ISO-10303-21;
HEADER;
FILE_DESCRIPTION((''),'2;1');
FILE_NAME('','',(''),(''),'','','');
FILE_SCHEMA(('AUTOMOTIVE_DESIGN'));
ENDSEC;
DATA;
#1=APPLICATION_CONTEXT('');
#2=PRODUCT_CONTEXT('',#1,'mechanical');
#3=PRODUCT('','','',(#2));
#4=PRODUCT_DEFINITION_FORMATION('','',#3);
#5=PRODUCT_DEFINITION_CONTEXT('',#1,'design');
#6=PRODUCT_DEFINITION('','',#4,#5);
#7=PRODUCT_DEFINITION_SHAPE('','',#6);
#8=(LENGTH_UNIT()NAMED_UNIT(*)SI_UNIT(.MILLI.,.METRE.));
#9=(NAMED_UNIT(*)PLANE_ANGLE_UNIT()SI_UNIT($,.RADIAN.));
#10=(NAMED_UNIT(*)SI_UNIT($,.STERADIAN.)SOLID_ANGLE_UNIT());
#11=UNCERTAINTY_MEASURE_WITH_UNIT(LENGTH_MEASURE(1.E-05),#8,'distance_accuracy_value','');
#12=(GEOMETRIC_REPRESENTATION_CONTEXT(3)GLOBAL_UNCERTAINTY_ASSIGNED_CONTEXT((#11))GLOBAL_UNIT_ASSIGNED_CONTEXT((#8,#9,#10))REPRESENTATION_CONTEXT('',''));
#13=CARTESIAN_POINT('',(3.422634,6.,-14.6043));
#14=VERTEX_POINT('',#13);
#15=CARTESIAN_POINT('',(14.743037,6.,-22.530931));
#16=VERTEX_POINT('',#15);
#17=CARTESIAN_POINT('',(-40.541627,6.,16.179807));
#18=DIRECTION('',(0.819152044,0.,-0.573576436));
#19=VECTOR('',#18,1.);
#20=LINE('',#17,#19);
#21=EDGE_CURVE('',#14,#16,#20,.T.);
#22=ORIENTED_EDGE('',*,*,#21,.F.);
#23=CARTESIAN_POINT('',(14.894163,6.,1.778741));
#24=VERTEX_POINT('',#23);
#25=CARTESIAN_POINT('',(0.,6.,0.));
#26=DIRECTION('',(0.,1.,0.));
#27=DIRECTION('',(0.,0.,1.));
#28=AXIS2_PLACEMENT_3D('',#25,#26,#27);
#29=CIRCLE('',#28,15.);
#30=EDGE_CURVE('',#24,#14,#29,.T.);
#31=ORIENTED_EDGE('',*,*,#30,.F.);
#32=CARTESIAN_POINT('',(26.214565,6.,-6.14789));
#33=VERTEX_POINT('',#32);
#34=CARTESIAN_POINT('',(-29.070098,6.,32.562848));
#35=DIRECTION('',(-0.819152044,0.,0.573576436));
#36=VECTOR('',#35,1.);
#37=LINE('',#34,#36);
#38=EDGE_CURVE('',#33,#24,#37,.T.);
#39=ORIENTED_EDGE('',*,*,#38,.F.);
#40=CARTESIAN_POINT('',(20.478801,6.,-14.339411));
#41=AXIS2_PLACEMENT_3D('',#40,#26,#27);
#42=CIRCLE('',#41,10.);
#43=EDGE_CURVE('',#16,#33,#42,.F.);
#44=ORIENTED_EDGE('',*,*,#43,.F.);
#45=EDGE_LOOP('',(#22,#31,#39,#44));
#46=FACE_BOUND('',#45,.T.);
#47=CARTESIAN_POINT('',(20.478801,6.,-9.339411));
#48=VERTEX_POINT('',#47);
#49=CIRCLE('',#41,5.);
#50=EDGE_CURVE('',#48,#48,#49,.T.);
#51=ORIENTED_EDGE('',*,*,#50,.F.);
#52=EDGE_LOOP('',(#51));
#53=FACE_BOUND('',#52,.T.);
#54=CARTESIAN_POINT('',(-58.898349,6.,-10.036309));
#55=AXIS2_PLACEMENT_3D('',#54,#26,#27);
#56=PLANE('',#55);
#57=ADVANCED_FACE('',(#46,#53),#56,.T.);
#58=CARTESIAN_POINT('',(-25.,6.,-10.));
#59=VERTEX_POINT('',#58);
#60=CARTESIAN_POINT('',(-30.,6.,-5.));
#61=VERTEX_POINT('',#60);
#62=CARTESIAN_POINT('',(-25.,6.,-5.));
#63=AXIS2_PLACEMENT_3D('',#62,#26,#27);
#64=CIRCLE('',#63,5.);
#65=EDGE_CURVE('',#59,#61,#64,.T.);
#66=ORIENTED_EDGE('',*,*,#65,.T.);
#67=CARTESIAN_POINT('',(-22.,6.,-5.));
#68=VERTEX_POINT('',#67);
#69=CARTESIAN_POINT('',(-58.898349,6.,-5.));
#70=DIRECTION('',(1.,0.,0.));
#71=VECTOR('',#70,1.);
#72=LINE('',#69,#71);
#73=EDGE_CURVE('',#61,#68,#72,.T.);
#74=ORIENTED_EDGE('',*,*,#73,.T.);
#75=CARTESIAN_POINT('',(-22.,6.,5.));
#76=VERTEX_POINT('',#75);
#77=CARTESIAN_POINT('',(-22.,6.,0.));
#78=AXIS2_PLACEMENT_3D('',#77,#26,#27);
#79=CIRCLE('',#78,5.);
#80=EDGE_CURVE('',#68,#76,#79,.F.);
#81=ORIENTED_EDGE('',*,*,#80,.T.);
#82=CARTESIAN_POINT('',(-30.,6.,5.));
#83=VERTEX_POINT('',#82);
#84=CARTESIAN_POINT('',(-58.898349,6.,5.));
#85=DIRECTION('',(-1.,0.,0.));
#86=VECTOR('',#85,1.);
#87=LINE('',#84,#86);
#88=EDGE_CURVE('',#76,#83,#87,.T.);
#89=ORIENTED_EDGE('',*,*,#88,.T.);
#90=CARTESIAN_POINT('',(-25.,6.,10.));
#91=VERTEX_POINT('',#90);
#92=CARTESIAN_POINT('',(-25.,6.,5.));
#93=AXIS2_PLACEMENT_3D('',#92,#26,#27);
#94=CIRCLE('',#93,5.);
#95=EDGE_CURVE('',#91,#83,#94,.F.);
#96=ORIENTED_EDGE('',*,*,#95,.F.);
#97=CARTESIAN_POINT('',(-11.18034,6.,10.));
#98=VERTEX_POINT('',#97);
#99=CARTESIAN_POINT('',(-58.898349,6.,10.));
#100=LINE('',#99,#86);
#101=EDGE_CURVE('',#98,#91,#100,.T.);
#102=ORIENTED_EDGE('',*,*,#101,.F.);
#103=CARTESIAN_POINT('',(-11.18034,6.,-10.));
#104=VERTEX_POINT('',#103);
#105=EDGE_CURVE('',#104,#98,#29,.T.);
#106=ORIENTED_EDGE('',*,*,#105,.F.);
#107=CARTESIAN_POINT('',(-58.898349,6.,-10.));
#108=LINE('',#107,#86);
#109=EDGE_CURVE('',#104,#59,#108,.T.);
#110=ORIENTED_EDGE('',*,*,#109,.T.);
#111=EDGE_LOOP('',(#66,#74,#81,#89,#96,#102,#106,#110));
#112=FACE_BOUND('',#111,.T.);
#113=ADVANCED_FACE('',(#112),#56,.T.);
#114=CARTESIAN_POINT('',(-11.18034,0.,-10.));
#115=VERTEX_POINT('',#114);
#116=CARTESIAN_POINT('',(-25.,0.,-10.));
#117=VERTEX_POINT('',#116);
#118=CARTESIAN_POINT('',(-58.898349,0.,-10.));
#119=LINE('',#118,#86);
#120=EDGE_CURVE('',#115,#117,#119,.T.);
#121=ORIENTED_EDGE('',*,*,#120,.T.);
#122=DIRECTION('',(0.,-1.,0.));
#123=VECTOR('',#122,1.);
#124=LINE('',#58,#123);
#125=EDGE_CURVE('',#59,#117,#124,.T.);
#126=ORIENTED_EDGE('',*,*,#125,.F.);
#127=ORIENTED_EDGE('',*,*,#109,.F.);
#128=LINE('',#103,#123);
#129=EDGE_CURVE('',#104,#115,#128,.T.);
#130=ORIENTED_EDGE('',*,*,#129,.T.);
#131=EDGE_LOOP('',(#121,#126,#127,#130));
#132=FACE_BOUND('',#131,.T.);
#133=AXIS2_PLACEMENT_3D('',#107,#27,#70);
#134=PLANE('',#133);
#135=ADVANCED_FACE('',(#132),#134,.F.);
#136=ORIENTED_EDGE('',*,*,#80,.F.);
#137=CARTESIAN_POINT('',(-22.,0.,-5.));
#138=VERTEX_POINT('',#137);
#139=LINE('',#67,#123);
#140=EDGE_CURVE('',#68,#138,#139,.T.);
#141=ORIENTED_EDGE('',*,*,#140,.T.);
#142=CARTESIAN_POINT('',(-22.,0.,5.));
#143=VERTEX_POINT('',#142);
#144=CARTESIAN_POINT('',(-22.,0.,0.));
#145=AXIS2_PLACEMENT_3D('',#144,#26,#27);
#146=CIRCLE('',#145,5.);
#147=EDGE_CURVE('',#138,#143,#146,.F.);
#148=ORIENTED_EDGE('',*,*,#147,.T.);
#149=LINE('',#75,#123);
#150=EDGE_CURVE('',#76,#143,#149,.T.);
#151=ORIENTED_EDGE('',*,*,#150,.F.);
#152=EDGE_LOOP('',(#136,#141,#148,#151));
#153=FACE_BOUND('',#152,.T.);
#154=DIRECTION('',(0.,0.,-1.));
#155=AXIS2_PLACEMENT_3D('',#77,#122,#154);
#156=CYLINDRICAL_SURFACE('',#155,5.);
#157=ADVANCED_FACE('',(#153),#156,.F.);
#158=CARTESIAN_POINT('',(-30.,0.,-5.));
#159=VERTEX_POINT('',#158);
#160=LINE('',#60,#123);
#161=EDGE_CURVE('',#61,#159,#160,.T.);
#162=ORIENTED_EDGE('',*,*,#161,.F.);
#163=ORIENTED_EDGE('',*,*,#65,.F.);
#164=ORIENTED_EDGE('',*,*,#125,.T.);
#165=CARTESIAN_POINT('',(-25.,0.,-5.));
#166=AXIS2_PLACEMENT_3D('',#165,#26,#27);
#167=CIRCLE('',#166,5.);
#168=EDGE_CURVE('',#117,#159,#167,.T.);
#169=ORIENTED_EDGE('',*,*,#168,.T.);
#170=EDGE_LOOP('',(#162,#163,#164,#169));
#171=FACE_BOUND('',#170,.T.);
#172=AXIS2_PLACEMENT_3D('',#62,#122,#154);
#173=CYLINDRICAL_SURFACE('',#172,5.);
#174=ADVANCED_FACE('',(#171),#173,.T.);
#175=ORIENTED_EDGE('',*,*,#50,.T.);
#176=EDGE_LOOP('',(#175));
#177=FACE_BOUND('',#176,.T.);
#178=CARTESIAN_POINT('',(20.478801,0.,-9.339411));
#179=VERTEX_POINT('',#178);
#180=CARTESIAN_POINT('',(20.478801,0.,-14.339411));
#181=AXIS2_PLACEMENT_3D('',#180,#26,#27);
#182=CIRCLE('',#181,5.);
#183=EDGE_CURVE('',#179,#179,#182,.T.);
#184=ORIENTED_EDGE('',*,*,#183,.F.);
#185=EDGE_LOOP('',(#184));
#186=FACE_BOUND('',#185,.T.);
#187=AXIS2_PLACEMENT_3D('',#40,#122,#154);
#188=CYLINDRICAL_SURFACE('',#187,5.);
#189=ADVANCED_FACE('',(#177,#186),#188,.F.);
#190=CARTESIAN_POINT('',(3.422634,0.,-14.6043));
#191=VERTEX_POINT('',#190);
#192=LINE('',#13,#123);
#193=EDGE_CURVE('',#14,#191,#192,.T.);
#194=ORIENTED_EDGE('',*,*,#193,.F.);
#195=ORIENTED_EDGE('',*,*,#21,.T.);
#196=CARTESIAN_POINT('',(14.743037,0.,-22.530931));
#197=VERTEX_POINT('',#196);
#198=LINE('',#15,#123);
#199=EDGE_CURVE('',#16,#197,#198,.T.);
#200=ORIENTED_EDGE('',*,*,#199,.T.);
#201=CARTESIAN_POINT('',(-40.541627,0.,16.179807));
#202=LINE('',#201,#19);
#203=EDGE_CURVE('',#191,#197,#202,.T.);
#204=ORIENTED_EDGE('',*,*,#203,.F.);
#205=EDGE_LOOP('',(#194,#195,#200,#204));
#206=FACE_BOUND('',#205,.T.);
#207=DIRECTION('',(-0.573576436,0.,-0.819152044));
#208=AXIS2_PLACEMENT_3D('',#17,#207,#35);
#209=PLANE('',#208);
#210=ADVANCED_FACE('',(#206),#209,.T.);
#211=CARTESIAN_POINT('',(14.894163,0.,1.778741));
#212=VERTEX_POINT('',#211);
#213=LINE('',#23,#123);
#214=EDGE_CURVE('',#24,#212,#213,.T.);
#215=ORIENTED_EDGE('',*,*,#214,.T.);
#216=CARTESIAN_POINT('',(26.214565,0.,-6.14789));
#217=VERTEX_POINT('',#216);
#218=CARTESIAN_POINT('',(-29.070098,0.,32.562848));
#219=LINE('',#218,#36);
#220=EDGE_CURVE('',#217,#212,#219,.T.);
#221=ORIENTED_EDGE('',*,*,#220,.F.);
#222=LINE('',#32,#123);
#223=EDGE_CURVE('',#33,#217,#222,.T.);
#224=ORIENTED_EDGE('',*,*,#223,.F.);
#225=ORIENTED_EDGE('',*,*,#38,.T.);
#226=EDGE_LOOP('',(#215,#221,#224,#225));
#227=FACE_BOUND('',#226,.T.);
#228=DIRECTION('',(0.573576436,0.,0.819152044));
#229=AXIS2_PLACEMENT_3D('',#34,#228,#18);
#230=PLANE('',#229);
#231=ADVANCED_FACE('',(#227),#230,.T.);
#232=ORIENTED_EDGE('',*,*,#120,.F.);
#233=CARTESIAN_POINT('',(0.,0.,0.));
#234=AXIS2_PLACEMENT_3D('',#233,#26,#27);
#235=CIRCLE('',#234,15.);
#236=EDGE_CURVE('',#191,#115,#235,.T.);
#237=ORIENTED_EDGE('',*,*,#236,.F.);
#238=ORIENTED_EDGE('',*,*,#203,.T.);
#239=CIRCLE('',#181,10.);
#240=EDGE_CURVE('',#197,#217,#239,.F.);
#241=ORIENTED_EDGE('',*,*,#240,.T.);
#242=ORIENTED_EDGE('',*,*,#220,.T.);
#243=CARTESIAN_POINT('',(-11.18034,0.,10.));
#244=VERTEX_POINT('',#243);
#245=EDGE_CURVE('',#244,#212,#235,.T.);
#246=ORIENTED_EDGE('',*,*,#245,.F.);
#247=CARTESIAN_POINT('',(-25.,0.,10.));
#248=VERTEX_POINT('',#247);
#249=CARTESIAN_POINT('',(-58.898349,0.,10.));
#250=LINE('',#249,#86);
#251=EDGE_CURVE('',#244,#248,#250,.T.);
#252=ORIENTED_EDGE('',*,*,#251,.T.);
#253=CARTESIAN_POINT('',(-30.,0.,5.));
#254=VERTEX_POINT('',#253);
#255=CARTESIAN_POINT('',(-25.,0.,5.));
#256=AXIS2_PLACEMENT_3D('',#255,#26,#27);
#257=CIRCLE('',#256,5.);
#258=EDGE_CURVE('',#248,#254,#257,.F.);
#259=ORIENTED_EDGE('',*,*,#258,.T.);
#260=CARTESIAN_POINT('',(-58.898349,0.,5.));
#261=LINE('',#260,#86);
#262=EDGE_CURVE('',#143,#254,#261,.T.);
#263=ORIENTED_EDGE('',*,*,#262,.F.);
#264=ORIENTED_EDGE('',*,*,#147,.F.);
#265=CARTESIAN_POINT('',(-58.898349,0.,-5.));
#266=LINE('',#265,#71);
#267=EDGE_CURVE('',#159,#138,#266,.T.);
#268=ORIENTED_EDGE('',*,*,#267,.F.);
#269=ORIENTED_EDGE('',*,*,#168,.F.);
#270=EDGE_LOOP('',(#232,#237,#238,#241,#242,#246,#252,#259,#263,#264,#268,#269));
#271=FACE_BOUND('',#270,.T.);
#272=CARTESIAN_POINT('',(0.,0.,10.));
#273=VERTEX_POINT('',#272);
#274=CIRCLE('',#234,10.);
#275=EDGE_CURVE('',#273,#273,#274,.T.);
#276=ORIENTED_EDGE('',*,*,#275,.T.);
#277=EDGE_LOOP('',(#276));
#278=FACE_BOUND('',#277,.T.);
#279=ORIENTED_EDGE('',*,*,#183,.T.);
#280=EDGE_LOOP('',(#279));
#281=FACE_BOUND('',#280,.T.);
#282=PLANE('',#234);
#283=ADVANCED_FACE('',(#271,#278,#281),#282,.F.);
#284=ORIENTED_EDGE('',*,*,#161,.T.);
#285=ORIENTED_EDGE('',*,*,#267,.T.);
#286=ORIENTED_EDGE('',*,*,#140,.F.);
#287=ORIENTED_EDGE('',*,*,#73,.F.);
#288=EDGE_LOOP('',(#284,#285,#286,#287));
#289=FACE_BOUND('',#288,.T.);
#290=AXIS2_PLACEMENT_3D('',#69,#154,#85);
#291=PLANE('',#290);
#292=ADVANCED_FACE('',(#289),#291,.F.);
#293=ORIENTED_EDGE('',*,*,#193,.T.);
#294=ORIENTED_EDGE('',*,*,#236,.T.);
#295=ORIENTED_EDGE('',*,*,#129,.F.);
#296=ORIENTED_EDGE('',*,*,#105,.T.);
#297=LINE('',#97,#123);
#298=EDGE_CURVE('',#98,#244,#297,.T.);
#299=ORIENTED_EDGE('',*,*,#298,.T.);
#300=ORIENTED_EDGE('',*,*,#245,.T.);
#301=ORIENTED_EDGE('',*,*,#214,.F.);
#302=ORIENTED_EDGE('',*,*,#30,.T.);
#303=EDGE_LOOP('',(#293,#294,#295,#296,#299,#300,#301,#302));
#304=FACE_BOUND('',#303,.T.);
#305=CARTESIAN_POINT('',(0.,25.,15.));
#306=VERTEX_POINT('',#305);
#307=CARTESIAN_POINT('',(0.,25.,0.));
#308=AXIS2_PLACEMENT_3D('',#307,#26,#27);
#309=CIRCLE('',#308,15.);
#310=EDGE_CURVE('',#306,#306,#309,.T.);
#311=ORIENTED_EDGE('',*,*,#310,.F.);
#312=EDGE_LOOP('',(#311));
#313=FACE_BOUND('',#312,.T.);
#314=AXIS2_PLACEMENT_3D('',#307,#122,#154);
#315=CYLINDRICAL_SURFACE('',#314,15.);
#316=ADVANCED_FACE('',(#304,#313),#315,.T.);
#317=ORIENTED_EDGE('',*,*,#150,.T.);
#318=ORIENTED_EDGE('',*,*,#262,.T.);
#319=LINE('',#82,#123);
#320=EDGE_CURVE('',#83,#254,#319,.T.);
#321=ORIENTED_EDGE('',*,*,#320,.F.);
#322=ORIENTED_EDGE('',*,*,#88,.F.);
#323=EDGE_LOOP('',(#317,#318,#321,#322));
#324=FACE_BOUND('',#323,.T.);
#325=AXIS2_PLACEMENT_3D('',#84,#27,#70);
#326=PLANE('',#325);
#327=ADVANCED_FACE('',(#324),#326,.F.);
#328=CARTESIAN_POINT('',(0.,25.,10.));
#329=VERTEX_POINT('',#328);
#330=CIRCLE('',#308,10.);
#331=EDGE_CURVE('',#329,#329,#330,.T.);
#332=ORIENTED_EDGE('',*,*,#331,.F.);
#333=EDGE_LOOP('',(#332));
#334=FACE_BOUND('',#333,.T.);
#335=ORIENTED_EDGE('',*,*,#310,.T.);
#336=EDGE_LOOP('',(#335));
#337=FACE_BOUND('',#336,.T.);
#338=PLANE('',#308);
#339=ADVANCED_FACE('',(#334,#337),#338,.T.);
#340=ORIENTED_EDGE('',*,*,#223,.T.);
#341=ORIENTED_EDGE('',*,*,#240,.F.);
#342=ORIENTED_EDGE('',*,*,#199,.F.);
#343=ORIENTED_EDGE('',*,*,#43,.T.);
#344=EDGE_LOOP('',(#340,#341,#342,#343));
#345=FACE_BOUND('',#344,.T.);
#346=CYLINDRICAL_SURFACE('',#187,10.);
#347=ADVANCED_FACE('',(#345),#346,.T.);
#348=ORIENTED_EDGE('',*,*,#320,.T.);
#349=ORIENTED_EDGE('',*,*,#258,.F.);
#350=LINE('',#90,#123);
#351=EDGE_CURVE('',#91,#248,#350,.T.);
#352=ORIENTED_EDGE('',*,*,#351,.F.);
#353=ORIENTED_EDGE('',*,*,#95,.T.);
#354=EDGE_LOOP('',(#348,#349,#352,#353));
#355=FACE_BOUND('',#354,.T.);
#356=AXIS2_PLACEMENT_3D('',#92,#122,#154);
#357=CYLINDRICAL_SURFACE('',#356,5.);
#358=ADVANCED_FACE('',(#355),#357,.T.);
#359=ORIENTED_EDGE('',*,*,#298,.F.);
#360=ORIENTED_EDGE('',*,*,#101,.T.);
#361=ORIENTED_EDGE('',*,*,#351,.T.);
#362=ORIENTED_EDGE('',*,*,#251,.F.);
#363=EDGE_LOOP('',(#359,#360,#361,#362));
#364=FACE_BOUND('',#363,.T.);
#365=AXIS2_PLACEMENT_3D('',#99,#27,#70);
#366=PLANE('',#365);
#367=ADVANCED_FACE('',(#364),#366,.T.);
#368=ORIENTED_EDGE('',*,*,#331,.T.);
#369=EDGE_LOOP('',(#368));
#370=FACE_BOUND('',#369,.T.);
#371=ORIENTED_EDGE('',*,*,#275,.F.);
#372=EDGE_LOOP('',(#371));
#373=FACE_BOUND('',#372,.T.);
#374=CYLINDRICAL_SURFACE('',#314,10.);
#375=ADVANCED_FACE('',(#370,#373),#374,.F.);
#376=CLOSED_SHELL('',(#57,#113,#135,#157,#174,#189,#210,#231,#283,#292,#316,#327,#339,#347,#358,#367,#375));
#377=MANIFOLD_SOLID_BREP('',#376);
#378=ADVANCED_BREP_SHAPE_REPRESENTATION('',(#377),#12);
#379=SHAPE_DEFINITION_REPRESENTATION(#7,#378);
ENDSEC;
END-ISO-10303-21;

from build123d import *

# Parameters (mm, degrees)
SKETCH_1_R      = 15
SKETCH_1_R_2    = 10
EXTRUDE_1_DEPTH = 25
SKETCH_2_R      = 5
EXTRUDE_2_DEPTH = 6


with BuildPart() as part:
    # 草圖1 → 伸長1 (new body)
    with BuildSketch(Plane(origin=(0, 0, 0), x_dir=(1, 0, 0), z_dir=(0, 1, 0))):
        with Locations(Location((0, 0, 0), (0, 0, 270))):
            Circle(SKETCH_1_R)
        with Locations(Location((0, 0, 0), (0, 0, 270))):
            Circle(SKETCH_1_R_2, mode=Mode.SUBTRACT)
    extrude(amount=EXTRUDE_1_DEPTH)

    # 草圖2 → 伸長2 (add)
    # profile 1 of 2: a face of its own
    with BuildSketch(Plane(origin=(0, 0, 0), x_dir=(1, 0, 0), z_dir=(0, 1, 0))):
        with BuildLine():
            ThreePointArc((-11.180339887, -10), (-15, 0), (-11.180339887, 10))
            Line((-11.180339887, 10), (-25, 10))
            ThreePointArc((-25, 10), (-28.535533906, 8.535533906), (-30, 5))
            Line((-30, 5), (-22, 5))
            ThreePointArc((-22, 5), (-17, 0), (-22, -5))
            Line((-22, -5), (-30, -5))
            ThreePointArc((-30, -5), (-28.535533906, -8.535533906), (-25, -10))
            Line((-25, -10), (-11.180339887, -10))
        make_face()
    # profile 2 of 2: a face of its own
    with BuildSketch(Plane(origin=(0, 0, 0), x_dir=(1, 0, 0), z_dir=(0, 1, 0))):
        with BuildLine():
            Line((14.743036744, 22.530931352), (3.422633911, 14.604299953))
            ThreePointArc((3.422633911, 14.604299953), (11.754563128, 9.318274822), (15, 0))
            ThreePointArc((15, 0), (14.973517282, -0.89094344), (14.894162638, -1.778740933))
            Line((14.894162638, -1.778740933), (26.214565471, 6.147890466))
            ThreePointArc((26.214565471, 6.147890466), (28.67032155, 20.075175272), (14.743036744, 22.530931352))
        make_face()
        with Locations(Location((20.478801107, 14.339410909, 0), (0, 0, 270))):
            Circle(SKETCH_2_R, mode=Mode.SUBTRACT)
    extrude(amount=EXTRUDE_2_DEPTH)


solid = part.part
